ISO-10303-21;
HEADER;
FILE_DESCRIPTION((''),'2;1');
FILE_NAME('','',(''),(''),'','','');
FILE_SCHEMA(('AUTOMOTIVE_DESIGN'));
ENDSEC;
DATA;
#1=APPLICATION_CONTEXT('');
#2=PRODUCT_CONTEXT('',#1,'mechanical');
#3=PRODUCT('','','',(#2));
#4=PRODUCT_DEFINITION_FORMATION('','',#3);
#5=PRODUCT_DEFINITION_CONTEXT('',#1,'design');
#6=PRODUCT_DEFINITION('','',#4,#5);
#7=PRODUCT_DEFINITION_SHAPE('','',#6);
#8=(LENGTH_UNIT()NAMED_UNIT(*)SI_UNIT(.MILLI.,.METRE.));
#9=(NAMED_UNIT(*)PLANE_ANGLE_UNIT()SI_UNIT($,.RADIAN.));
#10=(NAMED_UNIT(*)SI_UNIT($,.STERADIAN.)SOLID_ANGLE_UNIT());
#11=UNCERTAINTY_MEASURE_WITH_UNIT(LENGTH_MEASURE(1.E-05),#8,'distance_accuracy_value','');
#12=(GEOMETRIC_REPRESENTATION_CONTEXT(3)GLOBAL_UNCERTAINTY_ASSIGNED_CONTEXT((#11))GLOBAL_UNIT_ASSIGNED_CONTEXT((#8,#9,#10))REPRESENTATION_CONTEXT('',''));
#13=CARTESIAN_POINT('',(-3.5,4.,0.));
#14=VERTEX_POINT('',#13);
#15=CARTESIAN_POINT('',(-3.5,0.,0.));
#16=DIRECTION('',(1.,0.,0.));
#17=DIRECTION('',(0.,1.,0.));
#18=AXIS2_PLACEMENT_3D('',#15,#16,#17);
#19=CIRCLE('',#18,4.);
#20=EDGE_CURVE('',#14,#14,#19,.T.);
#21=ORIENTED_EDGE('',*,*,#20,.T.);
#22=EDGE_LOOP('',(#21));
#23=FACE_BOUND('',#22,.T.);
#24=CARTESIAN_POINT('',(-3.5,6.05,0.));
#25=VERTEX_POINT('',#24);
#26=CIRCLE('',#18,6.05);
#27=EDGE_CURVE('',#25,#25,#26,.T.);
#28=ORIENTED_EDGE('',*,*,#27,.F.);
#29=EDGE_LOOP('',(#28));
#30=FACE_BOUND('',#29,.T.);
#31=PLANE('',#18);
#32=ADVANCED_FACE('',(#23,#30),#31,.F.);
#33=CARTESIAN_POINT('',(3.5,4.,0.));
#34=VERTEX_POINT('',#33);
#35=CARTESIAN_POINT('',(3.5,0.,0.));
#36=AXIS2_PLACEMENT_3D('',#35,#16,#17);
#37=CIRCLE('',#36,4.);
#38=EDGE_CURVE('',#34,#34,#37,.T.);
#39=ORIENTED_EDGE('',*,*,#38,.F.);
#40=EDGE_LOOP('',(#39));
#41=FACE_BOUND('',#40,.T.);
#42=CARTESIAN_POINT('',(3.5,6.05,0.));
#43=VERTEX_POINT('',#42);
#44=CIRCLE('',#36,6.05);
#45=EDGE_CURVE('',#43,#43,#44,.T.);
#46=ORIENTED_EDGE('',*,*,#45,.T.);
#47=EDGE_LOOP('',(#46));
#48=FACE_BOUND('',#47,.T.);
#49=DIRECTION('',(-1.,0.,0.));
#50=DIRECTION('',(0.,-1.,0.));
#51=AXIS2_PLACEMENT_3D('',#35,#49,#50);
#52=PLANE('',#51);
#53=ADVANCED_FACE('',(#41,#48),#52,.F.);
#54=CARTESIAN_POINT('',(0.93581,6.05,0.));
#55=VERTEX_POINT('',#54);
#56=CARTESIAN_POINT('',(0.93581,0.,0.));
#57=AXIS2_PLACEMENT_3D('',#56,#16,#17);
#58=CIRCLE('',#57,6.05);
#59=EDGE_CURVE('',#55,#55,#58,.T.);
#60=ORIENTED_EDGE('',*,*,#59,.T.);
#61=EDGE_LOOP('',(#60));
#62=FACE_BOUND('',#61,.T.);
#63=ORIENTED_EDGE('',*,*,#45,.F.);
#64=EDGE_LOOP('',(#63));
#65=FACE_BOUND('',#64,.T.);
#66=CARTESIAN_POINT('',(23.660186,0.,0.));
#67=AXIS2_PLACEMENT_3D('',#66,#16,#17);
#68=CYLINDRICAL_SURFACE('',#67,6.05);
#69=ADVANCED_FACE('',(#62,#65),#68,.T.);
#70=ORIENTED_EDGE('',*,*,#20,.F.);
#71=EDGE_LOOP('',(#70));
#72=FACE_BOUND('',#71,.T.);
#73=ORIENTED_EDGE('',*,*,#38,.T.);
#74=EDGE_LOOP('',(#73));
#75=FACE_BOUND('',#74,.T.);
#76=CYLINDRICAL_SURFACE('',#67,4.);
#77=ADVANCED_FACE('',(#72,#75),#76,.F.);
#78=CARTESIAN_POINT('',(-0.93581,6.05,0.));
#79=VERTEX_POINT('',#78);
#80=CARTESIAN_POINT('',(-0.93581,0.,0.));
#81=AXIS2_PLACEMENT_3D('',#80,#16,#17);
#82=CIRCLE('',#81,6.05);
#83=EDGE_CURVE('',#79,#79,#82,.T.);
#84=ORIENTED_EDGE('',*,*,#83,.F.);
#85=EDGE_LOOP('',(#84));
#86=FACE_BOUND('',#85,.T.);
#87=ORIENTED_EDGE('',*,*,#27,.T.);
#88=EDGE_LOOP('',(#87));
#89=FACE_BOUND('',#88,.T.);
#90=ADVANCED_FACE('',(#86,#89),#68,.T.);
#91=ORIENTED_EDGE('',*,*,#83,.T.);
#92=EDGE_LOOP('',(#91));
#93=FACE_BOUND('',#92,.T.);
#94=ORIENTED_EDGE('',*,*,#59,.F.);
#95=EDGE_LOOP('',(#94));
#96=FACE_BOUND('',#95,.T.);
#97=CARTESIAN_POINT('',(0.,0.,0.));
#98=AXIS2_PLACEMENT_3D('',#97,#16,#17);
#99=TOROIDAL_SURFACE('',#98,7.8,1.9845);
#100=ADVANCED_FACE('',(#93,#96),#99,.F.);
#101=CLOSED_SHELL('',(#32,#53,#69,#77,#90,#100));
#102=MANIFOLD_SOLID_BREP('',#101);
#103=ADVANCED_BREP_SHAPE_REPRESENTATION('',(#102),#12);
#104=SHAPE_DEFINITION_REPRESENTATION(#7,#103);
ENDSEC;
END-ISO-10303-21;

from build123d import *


with BuildPart() as part:
    # Sketch2 → Revolve1 (revolve)
    with BuildSketch(Plane.XY):
        with BuildLine():
            ThreePointArc((0.935809943, 6.05), (0, 5.8155), (-0.935809943, 6.05))
            Line((-0.935809943, 6.05), (-3.5, 6.05))
            Line((-3.5, 6.05), (-3.5, 4))
            Line((-3.5, 4), (3.5, 4))
            Line((3.5, 4), (3.5, 6.05))
            Line((3.5, 6.05), (0.935809943, 6.05))
        make_face()
    revolve(axis=Axis((23.660185957, 0, 0), (-1, 0, 0)))


solid = part.part
